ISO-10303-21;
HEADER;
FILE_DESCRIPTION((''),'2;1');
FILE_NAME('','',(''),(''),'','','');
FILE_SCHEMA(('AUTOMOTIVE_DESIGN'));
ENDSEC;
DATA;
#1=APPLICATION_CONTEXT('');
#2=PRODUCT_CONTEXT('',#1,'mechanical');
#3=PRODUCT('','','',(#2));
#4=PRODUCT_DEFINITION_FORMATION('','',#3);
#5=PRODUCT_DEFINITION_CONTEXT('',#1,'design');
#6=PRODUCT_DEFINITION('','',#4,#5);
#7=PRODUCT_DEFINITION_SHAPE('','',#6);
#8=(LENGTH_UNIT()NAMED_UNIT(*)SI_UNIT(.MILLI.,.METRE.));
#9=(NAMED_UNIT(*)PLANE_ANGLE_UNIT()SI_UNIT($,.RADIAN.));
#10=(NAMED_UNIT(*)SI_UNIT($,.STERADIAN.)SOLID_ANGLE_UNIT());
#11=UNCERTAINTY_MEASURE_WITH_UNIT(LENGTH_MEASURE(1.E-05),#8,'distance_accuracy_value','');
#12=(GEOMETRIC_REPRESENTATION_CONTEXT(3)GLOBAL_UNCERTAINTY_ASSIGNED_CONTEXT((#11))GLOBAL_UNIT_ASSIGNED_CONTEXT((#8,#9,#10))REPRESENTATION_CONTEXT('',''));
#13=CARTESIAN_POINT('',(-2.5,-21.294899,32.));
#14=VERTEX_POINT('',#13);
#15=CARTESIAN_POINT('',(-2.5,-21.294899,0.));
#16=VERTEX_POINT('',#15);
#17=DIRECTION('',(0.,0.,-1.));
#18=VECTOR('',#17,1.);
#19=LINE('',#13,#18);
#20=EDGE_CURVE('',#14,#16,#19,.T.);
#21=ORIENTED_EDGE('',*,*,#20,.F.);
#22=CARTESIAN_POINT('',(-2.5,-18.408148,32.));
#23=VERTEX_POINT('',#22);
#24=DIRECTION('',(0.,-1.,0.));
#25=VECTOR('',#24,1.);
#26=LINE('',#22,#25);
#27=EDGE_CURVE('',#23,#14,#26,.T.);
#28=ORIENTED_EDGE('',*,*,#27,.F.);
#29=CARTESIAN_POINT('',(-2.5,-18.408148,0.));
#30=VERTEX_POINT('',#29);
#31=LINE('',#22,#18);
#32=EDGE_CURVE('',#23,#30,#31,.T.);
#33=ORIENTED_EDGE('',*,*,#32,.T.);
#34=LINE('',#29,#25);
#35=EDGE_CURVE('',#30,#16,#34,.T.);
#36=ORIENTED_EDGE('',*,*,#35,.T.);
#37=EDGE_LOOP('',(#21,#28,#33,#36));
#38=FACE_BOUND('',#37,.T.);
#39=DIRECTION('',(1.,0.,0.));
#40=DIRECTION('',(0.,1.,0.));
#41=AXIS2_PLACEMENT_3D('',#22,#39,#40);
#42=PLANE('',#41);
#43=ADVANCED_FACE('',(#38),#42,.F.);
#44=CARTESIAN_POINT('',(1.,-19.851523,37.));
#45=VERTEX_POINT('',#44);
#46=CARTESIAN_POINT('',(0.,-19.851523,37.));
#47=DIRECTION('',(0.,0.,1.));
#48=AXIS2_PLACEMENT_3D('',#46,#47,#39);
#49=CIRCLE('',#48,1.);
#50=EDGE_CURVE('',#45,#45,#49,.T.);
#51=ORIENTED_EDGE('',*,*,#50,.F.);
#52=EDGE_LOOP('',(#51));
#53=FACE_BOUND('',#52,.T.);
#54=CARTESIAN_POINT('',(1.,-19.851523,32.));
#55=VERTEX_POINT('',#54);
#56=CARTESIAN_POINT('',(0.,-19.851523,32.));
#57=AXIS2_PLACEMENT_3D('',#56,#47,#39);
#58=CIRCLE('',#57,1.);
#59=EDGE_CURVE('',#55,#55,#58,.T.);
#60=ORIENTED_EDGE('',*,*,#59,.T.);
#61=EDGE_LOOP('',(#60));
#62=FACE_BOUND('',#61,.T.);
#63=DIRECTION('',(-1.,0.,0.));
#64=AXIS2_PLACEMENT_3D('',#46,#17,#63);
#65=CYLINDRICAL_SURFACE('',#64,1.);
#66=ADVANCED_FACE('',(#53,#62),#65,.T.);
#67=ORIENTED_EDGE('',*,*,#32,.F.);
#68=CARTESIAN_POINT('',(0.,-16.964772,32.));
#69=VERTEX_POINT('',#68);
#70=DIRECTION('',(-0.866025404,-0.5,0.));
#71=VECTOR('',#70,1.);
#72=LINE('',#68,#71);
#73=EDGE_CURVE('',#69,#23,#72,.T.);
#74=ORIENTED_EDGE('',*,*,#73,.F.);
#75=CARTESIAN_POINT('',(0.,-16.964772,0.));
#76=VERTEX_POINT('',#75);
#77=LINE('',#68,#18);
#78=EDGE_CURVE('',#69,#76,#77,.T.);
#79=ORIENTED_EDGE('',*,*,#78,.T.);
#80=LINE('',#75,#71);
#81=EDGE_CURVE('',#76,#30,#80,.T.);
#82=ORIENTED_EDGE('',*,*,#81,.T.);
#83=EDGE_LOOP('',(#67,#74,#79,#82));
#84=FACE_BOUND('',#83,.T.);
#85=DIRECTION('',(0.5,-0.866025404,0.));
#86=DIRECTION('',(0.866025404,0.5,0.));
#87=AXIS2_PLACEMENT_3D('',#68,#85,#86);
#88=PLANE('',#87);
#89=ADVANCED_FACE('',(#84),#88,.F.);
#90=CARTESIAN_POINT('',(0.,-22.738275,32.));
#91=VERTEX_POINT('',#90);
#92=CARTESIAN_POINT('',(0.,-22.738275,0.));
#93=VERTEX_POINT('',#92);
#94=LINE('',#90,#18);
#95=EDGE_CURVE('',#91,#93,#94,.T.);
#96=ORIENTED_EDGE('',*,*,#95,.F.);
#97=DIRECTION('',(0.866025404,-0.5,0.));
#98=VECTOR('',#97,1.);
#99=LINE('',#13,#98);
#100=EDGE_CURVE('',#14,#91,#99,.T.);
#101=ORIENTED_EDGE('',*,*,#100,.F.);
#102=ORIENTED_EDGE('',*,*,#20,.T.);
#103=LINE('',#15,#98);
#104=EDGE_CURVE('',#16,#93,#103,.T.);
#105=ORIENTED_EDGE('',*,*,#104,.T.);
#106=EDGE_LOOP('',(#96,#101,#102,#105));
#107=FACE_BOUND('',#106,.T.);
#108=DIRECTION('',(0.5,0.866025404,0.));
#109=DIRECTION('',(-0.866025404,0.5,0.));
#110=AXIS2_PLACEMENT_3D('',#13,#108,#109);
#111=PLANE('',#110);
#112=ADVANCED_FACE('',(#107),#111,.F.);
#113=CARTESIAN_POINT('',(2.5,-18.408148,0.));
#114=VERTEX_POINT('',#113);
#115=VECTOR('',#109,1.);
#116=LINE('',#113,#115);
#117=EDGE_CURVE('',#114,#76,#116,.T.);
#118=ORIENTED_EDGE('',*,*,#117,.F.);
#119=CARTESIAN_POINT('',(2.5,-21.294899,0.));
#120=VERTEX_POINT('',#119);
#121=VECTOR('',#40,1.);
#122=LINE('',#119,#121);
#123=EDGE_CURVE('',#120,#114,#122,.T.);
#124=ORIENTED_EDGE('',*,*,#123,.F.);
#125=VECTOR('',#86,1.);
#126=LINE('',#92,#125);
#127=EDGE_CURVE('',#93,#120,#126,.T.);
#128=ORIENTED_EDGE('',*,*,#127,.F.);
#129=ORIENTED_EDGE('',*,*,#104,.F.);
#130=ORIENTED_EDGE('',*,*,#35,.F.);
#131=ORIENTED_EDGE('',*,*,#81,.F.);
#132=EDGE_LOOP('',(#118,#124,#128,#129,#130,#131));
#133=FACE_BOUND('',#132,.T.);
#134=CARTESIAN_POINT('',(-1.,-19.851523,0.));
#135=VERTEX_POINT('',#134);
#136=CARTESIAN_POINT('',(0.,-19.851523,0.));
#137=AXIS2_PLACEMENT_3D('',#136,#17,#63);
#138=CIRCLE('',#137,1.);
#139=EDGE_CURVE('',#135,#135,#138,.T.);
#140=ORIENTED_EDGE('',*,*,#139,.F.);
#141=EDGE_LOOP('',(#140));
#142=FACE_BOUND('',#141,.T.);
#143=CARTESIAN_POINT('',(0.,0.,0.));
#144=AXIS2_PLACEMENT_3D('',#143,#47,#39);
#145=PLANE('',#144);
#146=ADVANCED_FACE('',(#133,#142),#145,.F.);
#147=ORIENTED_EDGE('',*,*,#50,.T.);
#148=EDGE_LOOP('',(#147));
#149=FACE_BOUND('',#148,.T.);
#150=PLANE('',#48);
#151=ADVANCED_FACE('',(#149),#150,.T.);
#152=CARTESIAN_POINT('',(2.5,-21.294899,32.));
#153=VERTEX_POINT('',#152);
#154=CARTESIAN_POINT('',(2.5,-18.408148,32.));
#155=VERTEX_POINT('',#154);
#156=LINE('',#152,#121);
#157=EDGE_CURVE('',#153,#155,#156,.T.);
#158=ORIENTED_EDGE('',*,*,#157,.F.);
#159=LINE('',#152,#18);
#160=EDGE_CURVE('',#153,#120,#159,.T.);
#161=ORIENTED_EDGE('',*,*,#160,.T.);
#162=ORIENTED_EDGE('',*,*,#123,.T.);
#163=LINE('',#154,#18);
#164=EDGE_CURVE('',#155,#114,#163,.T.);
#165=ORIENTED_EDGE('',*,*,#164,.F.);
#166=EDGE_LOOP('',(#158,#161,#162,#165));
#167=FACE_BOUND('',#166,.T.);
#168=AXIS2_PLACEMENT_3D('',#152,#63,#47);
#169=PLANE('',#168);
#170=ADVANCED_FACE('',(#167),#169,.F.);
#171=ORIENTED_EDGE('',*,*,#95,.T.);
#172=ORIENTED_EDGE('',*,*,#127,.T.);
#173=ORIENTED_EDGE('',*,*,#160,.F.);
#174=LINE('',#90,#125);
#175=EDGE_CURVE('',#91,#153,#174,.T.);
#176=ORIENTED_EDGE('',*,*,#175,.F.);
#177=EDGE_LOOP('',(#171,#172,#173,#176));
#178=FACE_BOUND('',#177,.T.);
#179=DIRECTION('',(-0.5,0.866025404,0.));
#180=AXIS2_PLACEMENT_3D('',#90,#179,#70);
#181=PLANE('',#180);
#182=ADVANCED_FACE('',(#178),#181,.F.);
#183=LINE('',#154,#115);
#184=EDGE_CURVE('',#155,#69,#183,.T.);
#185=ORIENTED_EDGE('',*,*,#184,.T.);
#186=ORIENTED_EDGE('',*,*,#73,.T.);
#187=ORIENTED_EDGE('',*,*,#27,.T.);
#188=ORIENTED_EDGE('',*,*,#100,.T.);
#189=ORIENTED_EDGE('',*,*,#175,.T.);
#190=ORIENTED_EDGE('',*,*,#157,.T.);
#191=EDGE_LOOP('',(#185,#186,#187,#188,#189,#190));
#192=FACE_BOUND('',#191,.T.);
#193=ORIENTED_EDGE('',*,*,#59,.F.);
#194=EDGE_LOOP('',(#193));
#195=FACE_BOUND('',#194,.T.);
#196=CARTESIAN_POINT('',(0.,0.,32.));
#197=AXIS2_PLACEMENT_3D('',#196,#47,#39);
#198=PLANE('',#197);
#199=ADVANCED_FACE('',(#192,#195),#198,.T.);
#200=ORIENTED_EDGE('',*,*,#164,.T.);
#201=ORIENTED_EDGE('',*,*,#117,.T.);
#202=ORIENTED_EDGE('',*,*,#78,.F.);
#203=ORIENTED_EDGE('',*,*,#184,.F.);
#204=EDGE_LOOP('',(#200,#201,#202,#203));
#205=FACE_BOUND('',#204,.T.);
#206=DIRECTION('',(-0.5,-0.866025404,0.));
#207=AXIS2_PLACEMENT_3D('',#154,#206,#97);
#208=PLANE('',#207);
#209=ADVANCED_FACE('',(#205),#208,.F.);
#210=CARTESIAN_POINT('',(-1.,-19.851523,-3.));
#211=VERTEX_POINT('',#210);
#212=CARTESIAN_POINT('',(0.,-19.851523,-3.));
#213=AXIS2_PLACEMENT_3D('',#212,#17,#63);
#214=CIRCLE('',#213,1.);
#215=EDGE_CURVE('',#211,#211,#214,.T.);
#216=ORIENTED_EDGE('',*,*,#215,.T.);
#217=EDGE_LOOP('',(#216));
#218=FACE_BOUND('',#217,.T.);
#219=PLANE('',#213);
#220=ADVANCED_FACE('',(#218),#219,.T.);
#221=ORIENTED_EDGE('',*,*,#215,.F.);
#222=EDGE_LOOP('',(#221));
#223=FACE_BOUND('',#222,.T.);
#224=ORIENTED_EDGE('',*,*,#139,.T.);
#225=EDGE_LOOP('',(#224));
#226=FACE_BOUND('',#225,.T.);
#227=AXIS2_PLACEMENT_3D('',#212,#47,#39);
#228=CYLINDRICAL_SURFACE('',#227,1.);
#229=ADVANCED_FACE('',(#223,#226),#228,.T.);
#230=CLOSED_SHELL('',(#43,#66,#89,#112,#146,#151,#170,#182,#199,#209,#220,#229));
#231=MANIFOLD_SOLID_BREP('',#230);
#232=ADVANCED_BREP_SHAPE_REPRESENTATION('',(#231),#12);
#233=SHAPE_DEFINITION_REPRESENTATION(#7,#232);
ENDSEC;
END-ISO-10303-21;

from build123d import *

# Parameters (mm, degrees)
ESTRUSIONE_ESTRUSIONE1_DEPTH = 32
SCHIZZO2_R                   = 1
ESTRUSIONE_ESTRUSIONE2_DEPTH = 5
ESTRUSIONE_ESTRUSIONE3_START = 3
SCHIZZO4_R                   = 1
ESTRUSIONE_ESTRUSIONE3_DEPTH = 3


with BuildPart() as part:
    # Schizzo1 → Estrusione-Estrusione1 (new body)
    with BuildSketch(Plane.XY):
        Polygon((0, -16.964772049), (-2.5, -18.408147722), (-2.5, -21.294899068), (0, -22.738274741), (2.5, -21.294899068), (2.5, -18.408147722), align=None)
    extrude(amount=ESTRUSIONE_ESTRUSIONE1_DEPTH)

    # Schizzo2 → Estrusione-Estrusione2 (add)
    with BuildSketch(Plane.XY.offset(32)):
        with Locations((0, -19.851523395)):
            Circle(SCHIZZO2_R)
    extrude(amount=ESTRUSIONE_ESTRUSIONE2_DEPTH)

    # Schizzo4 → Estrusione-Estrusione3 (add)
    with BuildSketch(Plane(origin=(0, 0, 0), x_dir=(-1, 0, 0), z_dir=(0, 0, -1)).offset(ESTRUSIONE_ESTRUSIONE3_START)):
        with Locations(Location((0, -19.851523395, 0), (0, 0, 180))):
            Circle(SCHIZZO4_R)
    extrude(amount=-ESTRUSIONE_ESTRUSIONE3_DEPTH)


solid = part.part
